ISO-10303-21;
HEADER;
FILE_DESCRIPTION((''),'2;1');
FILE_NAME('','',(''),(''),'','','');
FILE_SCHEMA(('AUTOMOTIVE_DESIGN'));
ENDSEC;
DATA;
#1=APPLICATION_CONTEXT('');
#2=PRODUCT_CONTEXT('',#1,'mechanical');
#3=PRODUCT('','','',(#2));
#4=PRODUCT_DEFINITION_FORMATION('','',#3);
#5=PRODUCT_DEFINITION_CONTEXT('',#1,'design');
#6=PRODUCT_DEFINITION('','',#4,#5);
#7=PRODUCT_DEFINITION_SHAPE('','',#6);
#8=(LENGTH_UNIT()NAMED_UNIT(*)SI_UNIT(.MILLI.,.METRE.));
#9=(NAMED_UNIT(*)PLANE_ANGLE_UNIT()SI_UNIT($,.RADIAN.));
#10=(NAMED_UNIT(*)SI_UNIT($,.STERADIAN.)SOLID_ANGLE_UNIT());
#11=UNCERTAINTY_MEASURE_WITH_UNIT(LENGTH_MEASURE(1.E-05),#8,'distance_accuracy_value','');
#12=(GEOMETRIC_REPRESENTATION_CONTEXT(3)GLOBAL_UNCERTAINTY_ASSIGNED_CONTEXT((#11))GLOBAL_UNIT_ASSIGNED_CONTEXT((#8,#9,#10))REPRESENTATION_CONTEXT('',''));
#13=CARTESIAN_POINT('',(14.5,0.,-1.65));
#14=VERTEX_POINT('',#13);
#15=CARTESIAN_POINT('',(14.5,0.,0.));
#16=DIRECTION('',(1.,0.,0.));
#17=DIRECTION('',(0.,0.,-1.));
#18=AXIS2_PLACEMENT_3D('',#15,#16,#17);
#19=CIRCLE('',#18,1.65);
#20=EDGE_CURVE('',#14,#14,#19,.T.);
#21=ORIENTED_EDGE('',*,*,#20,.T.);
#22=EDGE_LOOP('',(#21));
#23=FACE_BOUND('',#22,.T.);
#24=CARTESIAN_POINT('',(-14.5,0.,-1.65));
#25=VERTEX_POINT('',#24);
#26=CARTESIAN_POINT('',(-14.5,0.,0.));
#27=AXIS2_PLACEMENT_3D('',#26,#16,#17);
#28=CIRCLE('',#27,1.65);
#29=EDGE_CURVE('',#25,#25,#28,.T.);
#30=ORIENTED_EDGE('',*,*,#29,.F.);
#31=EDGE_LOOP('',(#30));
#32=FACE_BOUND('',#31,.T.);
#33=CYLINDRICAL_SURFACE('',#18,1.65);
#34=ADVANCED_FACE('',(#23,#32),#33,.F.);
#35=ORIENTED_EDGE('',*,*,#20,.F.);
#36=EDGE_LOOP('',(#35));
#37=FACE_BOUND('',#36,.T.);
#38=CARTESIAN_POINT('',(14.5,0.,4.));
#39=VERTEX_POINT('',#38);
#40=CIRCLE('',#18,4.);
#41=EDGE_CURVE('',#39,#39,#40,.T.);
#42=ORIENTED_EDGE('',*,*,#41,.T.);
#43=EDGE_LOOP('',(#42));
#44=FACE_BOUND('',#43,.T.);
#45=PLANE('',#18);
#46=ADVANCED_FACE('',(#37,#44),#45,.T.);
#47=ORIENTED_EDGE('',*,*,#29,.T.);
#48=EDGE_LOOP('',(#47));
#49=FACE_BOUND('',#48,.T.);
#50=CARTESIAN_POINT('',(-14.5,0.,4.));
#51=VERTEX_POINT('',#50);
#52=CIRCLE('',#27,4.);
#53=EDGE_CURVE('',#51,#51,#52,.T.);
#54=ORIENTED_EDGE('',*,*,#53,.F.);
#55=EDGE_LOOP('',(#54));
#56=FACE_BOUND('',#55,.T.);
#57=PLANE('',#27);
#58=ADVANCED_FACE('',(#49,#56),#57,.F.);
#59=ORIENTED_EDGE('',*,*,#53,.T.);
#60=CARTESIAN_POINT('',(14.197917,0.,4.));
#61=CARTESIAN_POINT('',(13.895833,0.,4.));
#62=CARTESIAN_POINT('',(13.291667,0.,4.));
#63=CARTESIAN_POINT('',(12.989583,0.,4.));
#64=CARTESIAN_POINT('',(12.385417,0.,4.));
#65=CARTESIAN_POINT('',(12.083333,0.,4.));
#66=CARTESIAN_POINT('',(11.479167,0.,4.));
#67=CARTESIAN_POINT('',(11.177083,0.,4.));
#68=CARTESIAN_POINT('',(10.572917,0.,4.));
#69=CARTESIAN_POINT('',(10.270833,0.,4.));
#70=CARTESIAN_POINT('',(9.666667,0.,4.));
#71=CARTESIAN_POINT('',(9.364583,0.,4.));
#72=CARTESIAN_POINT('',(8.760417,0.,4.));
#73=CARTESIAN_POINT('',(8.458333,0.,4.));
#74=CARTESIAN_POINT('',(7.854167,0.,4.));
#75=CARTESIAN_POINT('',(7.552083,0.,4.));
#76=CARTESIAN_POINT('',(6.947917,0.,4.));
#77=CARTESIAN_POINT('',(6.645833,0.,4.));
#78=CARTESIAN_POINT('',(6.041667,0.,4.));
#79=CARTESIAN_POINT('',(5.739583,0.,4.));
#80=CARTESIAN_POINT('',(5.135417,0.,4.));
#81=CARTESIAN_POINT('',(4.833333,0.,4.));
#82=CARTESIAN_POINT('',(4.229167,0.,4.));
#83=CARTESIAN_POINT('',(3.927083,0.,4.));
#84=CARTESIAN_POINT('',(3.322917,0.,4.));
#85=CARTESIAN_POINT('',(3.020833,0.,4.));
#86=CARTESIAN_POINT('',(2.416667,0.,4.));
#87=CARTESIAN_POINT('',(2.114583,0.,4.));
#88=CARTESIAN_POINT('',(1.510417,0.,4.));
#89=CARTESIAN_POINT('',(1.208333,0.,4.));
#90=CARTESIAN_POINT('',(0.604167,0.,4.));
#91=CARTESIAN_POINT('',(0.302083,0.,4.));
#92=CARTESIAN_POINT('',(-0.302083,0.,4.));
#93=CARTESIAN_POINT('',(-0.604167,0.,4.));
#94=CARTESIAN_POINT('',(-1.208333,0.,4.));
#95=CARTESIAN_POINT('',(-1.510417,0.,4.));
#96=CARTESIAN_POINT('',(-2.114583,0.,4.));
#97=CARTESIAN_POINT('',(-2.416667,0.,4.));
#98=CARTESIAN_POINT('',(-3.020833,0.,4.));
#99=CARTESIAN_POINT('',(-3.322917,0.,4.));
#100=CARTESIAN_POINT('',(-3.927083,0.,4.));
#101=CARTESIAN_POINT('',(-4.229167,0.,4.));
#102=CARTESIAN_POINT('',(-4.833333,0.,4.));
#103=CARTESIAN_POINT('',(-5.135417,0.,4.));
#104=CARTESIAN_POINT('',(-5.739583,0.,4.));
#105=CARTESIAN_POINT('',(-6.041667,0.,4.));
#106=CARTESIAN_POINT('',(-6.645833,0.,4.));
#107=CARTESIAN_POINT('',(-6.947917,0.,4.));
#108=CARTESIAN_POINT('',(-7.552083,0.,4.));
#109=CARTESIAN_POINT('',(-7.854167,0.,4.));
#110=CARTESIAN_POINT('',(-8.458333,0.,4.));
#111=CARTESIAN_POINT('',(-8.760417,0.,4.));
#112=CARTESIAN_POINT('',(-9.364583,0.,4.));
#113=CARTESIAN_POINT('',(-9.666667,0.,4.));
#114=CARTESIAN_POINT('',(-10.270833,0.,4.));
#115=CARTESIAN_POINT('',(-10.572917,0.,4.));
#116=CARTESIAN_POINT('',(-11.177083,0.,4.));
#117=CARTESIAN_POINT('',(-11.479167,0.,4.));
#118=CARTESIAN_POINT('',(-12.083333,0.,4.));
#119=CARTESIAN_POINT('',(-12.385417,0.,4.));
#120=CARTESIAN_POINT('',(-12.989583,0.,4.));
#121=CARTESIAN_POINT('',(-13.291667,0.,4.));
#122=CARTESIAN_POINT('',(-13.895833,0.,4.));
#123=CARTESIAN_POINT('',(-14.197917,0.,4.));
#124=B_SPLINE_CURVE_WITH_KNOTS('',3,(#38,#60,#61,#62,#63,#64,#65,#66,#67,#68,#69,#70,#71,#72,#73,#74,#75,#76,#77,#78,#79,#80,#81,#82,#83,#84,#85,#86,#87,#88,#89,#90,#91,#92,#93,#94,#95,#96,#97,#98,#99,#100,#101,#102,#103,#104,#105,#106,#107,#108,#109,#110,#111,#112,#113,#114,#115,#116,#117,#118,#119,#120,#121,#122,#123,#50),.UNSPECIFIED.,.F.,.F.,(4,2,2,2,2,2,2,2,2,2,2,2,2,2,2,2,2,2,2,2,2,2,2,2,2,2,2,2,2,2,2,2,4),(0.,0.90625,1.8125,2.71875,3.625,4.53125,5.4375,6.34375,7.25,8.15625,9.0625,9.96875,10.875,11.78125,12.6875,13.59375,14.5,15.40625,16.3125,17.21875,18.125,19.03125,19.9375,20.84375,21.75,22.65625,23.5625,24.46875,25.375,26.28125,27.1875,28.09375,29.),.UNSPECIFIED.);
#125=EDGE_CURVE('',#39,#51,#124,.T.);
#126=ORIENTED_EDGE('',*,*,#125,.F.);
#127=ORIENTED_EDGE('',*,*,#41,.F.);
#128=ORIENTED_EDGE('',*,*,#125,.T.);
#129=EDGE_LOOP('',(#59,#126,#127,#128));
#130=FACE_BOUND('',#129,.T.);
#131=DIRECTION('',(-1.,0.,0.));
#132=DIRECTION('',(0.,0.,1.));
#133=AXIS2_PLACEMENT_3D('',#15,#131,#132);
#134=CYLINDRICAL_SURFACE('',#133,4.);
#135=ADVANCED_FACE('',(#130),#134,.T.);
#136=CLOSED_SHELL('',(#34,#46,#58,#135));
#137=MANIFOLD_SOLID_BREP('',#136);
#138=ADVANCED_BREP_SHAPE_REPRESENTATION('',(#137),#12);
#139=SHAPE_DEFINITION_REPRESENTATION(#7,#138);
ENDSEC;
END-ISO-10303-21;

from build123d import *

# Parameters (mm, degrees)
SKETCH1_R           = 4
BOSS_EXTRUDE1_DEPTH = 14.5
M4_TAPPED_HOLE1_D   = 3.3


with BuildPart() as part:
    # Sketch1 → Boss-Extrude1 (new, symmetric)
    with BuildSketch(Plane(origin=(0, 0, 0), x_dir=(0, 0, -1), z_dir=(1, 0, 0))):
        with Locations(Location((0, 0, 0), (0, 0, 180))):
            Circle(SKETCH1_R)
    extrude(amount=BOSS_EXTRUDE1_DEPTH, both=True)

    # M4 Tapped Hole1 (through all)
    with Locations(Plane(origin=(14.5, 0, 0), x_dir=(0, 0, -1), z_dir=(1, 0, 0))):
        with Locations((0, 0)):
            Hole(M4_TAPPED_HOLE1_D / 2)


solid = part.part
